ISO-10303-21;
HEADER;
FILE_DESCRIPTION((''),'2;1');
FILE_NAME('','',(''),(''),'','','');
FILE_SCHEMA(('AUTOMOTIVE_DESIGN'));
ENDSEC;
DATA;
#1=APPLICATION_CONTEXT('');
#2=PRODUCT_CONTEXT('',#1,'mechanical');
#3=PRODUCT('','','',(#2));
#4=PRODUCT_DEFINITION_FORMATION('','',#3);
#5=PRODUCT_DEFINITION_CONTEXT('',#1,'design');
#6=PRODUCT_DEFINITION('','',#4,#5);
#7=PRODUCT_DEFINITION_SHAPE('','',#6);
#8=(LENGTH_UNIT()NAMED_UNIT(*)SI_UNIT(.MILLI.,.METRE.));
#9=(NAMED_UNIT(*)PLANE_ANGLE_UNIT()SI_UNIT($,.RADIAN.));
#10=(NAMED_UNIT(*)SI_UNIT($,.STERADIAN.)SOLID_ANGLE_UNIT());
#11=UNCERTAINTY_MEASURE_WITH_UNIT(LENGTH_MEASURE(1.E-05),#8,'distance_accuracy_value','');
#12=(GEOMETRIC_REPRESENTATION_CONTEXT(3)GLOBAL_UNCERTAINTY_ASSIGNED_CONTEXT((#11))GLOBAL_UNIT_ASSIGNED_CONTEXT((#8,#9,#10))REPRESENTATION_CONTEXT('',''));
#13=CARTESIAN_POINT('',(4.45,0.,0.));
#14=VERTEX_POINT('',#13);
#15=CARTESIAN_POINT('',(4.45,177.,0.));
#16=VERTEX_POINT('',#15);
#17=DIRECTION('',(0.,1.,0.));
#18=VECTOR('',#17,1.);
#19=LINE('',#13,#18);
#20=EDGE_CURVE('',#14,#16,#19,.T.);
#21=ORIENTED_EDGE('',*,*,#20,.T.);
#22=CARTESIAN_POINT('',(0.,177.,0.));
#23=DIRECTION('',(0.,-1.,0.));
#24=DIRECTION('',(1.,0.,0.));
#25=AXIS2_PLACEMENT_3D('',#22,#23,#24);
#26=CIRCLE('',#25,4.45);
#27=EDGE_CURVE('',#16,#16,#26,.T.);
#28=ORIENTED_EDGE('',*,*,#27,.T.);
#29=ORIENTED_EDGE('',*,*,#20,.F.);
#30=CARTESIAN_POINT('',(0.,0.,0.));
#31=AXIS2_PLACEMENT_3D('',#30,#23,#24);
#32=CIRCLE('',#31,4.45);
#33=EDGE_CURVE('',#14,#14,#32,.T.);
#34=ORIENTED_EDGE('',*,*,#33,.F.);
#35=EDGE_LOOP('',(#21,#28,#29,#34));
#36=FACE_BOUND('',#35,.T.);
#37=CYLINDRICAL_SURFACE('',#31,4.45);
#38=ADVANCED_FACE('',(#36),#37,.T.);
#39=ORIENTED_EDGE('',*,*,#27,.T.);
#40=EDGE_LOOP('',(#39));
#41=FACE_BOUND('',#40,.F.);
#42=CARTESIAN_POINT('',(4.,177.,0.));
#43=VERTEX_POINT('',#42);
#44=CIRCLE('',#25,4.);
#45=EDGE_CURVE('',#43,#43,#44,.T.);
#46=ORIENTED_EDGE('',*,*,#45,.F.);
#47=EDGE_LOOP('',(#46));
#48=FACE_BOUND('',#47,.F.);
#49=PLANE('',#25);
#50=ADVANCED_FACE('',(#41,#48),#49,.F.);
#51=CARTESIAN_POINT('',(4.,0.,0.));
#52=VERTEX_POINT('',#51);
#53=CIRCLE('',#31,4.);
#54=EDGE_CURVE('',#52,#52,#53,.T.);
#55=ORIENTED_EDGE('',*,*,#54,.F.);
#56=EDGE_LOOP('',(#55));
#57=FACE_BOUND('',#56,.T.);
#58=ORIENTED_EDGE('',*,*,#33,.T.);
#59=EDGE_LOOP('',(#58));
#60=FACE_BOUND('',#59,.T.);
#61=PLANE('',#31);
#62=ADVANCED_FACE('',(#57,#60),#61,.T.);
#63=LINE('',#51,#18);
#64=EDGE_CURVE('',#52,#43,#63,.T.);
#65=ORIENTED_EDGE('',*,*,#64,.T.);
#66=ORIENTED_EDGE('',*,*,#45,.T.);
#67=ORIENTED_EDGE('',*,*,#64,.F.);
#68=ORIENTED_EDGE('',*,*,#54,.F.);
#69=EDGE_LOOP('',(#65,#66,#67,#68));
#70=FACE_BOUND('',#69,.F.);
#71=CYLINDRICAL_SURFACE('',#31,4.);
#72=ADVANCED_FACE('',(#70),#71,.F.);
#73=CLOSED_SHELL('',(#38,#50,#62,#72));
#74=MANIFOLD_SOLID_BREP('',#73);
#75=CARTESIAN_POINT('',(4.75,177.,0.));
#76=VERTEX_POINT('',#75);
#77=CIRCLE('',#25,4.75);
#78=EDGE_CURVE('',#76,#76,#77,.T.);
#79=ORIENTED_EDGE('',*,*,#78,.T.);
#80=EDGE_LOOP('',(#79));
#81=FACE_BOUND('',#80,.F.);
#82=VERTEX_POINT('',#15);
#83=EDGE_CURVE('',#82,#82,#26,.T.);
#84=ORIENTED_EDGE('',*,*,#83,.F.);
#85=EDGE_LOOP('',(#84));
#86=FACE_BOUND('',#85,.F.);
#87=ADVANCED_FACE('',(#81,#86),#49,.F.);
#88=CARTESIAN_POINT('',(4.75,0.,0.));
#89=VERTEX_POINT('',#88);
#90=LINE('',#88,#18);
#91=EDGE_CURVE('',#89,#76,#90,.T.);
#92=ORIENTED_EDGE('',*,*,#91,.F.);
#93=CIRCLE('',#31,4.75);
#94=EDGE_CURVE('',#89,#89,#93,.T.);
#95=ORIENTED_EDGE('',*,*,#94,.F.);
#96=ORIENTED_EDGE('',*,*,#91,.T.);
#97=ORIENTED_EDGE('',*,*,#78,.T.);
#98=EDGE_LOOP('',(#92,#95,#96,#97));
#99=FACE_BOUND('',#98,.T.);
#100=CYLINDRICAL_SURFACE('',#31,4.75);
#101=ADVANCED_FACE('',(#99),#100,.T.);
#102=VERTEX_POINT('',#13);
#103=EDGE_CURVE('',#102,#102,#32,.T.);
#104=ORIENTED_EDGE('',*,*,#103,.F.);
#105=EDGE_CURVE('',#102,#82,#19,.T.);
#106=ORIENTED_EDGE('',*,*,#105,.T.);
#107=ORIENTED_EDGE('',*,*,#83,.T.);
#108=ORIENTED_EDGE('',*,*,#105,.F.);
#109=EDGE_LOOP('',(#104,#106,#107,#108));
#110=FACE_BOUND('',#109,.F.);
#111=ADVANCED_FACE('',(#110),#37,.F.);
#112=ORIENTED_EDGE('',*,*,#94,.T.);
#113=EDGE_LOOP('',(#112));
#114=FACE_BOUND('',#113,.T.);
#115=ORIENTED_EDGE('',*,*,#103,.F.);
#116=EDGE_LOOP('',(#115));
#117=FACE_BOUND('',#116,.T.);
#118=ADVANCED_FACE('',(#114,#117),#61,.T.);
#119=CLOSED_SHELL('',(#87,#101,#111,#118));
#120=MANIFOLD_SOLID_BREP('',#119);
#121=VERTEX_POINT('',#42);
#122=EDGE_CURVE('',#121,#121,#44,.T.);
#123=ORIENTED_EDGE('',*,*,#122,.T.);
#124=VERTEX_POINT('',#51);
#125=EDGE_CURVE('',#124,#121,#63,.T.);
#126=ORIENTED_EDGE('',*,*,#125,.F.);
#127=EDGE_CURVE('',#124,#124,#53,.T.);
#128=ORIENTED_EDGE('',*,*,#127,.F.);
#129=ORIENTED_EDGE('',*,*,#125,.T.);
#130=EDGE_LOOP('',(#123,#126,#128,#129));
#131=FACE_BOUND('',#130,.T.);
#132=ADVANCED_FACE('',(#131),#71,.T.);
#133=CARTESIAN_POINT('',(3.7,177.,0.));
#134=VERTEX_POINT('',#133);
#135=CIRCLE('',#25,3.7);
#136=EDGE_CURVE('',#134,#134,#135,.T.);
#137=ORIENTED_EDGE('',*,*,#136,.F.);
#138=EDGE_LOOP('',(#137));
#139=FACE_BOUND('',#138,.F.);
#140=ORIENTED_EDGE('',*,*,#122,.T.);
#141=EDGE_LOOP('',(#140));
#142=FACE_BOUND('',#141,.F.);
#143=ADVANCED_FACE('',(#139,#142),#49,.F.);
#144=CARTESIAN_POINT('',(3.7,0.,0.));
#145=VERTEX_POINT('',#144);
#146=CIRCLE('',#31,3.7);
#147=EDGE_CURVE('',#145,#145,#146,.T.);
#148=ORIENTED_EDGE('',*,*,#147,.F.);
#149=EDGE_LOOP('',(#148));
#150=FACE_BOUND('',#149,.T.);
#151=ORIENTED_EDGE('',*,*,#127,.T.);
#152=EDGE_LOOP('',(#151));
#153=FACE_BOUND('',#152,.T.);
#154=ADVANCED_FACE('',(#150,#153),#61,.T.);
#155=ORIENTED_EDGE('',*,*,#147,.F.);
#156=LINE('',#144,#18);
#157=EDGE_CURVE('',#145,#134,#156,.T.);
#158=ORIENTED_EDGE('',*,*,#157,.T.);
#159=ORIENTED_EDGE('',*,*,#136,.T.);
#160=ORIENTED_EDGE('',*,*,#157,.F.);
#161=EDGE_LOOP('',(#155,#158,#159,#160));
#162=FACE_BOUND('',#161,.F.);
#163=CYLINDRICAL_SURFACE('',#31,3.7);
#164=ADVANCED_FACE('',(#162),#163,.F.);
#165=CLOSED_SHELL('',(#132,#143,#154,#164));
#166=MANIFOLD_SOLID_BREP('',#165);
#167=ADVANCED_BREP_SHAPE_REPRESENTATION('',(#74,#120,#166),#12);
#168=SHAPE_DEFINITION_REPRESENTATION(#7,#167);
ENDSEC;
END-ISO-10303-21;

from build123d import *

# Parameters (mm, degrees)
F0_R     = 4.75
F0_R_2   = 4.45
F1_DEPTH = 177
F0_R_3   = 4
F0_R_4   = 3.7
F2_DEPTH = 177
F3_DEPTH = 177


with BuildPart() as f1:
    # F0 (on Front) → F1 (new body)
    with BuildSketch(Plane.XZ):
        Circle(F0_R)
        Circle(F0_R_2, mode=Mode.SUBTRACT)
    extrude(amount=-F1_DEPTH)


with BuildPart() as f2:
    # F0 (on Front) → F2 (new body)
    with BuildSketch(Plane.XZ):
        Circle(F0_R_3)
        Circle(F0_R_4, mode=Mode.SUBTRACT)
    extrude(amount=-F2_DEPTH)


with BuildPart() as f3:
    # F0 (on Front) → F3 (new body)
    with BuildSketch(Plane.XZ):
        Circle(F0_R_2)
        Circle(F0_R_3, mode=Mode.SUBTRACT)
    extrude(amount=-F3_DEPTH)


solid = Compound([f1.part, f2.part, f3.part])
